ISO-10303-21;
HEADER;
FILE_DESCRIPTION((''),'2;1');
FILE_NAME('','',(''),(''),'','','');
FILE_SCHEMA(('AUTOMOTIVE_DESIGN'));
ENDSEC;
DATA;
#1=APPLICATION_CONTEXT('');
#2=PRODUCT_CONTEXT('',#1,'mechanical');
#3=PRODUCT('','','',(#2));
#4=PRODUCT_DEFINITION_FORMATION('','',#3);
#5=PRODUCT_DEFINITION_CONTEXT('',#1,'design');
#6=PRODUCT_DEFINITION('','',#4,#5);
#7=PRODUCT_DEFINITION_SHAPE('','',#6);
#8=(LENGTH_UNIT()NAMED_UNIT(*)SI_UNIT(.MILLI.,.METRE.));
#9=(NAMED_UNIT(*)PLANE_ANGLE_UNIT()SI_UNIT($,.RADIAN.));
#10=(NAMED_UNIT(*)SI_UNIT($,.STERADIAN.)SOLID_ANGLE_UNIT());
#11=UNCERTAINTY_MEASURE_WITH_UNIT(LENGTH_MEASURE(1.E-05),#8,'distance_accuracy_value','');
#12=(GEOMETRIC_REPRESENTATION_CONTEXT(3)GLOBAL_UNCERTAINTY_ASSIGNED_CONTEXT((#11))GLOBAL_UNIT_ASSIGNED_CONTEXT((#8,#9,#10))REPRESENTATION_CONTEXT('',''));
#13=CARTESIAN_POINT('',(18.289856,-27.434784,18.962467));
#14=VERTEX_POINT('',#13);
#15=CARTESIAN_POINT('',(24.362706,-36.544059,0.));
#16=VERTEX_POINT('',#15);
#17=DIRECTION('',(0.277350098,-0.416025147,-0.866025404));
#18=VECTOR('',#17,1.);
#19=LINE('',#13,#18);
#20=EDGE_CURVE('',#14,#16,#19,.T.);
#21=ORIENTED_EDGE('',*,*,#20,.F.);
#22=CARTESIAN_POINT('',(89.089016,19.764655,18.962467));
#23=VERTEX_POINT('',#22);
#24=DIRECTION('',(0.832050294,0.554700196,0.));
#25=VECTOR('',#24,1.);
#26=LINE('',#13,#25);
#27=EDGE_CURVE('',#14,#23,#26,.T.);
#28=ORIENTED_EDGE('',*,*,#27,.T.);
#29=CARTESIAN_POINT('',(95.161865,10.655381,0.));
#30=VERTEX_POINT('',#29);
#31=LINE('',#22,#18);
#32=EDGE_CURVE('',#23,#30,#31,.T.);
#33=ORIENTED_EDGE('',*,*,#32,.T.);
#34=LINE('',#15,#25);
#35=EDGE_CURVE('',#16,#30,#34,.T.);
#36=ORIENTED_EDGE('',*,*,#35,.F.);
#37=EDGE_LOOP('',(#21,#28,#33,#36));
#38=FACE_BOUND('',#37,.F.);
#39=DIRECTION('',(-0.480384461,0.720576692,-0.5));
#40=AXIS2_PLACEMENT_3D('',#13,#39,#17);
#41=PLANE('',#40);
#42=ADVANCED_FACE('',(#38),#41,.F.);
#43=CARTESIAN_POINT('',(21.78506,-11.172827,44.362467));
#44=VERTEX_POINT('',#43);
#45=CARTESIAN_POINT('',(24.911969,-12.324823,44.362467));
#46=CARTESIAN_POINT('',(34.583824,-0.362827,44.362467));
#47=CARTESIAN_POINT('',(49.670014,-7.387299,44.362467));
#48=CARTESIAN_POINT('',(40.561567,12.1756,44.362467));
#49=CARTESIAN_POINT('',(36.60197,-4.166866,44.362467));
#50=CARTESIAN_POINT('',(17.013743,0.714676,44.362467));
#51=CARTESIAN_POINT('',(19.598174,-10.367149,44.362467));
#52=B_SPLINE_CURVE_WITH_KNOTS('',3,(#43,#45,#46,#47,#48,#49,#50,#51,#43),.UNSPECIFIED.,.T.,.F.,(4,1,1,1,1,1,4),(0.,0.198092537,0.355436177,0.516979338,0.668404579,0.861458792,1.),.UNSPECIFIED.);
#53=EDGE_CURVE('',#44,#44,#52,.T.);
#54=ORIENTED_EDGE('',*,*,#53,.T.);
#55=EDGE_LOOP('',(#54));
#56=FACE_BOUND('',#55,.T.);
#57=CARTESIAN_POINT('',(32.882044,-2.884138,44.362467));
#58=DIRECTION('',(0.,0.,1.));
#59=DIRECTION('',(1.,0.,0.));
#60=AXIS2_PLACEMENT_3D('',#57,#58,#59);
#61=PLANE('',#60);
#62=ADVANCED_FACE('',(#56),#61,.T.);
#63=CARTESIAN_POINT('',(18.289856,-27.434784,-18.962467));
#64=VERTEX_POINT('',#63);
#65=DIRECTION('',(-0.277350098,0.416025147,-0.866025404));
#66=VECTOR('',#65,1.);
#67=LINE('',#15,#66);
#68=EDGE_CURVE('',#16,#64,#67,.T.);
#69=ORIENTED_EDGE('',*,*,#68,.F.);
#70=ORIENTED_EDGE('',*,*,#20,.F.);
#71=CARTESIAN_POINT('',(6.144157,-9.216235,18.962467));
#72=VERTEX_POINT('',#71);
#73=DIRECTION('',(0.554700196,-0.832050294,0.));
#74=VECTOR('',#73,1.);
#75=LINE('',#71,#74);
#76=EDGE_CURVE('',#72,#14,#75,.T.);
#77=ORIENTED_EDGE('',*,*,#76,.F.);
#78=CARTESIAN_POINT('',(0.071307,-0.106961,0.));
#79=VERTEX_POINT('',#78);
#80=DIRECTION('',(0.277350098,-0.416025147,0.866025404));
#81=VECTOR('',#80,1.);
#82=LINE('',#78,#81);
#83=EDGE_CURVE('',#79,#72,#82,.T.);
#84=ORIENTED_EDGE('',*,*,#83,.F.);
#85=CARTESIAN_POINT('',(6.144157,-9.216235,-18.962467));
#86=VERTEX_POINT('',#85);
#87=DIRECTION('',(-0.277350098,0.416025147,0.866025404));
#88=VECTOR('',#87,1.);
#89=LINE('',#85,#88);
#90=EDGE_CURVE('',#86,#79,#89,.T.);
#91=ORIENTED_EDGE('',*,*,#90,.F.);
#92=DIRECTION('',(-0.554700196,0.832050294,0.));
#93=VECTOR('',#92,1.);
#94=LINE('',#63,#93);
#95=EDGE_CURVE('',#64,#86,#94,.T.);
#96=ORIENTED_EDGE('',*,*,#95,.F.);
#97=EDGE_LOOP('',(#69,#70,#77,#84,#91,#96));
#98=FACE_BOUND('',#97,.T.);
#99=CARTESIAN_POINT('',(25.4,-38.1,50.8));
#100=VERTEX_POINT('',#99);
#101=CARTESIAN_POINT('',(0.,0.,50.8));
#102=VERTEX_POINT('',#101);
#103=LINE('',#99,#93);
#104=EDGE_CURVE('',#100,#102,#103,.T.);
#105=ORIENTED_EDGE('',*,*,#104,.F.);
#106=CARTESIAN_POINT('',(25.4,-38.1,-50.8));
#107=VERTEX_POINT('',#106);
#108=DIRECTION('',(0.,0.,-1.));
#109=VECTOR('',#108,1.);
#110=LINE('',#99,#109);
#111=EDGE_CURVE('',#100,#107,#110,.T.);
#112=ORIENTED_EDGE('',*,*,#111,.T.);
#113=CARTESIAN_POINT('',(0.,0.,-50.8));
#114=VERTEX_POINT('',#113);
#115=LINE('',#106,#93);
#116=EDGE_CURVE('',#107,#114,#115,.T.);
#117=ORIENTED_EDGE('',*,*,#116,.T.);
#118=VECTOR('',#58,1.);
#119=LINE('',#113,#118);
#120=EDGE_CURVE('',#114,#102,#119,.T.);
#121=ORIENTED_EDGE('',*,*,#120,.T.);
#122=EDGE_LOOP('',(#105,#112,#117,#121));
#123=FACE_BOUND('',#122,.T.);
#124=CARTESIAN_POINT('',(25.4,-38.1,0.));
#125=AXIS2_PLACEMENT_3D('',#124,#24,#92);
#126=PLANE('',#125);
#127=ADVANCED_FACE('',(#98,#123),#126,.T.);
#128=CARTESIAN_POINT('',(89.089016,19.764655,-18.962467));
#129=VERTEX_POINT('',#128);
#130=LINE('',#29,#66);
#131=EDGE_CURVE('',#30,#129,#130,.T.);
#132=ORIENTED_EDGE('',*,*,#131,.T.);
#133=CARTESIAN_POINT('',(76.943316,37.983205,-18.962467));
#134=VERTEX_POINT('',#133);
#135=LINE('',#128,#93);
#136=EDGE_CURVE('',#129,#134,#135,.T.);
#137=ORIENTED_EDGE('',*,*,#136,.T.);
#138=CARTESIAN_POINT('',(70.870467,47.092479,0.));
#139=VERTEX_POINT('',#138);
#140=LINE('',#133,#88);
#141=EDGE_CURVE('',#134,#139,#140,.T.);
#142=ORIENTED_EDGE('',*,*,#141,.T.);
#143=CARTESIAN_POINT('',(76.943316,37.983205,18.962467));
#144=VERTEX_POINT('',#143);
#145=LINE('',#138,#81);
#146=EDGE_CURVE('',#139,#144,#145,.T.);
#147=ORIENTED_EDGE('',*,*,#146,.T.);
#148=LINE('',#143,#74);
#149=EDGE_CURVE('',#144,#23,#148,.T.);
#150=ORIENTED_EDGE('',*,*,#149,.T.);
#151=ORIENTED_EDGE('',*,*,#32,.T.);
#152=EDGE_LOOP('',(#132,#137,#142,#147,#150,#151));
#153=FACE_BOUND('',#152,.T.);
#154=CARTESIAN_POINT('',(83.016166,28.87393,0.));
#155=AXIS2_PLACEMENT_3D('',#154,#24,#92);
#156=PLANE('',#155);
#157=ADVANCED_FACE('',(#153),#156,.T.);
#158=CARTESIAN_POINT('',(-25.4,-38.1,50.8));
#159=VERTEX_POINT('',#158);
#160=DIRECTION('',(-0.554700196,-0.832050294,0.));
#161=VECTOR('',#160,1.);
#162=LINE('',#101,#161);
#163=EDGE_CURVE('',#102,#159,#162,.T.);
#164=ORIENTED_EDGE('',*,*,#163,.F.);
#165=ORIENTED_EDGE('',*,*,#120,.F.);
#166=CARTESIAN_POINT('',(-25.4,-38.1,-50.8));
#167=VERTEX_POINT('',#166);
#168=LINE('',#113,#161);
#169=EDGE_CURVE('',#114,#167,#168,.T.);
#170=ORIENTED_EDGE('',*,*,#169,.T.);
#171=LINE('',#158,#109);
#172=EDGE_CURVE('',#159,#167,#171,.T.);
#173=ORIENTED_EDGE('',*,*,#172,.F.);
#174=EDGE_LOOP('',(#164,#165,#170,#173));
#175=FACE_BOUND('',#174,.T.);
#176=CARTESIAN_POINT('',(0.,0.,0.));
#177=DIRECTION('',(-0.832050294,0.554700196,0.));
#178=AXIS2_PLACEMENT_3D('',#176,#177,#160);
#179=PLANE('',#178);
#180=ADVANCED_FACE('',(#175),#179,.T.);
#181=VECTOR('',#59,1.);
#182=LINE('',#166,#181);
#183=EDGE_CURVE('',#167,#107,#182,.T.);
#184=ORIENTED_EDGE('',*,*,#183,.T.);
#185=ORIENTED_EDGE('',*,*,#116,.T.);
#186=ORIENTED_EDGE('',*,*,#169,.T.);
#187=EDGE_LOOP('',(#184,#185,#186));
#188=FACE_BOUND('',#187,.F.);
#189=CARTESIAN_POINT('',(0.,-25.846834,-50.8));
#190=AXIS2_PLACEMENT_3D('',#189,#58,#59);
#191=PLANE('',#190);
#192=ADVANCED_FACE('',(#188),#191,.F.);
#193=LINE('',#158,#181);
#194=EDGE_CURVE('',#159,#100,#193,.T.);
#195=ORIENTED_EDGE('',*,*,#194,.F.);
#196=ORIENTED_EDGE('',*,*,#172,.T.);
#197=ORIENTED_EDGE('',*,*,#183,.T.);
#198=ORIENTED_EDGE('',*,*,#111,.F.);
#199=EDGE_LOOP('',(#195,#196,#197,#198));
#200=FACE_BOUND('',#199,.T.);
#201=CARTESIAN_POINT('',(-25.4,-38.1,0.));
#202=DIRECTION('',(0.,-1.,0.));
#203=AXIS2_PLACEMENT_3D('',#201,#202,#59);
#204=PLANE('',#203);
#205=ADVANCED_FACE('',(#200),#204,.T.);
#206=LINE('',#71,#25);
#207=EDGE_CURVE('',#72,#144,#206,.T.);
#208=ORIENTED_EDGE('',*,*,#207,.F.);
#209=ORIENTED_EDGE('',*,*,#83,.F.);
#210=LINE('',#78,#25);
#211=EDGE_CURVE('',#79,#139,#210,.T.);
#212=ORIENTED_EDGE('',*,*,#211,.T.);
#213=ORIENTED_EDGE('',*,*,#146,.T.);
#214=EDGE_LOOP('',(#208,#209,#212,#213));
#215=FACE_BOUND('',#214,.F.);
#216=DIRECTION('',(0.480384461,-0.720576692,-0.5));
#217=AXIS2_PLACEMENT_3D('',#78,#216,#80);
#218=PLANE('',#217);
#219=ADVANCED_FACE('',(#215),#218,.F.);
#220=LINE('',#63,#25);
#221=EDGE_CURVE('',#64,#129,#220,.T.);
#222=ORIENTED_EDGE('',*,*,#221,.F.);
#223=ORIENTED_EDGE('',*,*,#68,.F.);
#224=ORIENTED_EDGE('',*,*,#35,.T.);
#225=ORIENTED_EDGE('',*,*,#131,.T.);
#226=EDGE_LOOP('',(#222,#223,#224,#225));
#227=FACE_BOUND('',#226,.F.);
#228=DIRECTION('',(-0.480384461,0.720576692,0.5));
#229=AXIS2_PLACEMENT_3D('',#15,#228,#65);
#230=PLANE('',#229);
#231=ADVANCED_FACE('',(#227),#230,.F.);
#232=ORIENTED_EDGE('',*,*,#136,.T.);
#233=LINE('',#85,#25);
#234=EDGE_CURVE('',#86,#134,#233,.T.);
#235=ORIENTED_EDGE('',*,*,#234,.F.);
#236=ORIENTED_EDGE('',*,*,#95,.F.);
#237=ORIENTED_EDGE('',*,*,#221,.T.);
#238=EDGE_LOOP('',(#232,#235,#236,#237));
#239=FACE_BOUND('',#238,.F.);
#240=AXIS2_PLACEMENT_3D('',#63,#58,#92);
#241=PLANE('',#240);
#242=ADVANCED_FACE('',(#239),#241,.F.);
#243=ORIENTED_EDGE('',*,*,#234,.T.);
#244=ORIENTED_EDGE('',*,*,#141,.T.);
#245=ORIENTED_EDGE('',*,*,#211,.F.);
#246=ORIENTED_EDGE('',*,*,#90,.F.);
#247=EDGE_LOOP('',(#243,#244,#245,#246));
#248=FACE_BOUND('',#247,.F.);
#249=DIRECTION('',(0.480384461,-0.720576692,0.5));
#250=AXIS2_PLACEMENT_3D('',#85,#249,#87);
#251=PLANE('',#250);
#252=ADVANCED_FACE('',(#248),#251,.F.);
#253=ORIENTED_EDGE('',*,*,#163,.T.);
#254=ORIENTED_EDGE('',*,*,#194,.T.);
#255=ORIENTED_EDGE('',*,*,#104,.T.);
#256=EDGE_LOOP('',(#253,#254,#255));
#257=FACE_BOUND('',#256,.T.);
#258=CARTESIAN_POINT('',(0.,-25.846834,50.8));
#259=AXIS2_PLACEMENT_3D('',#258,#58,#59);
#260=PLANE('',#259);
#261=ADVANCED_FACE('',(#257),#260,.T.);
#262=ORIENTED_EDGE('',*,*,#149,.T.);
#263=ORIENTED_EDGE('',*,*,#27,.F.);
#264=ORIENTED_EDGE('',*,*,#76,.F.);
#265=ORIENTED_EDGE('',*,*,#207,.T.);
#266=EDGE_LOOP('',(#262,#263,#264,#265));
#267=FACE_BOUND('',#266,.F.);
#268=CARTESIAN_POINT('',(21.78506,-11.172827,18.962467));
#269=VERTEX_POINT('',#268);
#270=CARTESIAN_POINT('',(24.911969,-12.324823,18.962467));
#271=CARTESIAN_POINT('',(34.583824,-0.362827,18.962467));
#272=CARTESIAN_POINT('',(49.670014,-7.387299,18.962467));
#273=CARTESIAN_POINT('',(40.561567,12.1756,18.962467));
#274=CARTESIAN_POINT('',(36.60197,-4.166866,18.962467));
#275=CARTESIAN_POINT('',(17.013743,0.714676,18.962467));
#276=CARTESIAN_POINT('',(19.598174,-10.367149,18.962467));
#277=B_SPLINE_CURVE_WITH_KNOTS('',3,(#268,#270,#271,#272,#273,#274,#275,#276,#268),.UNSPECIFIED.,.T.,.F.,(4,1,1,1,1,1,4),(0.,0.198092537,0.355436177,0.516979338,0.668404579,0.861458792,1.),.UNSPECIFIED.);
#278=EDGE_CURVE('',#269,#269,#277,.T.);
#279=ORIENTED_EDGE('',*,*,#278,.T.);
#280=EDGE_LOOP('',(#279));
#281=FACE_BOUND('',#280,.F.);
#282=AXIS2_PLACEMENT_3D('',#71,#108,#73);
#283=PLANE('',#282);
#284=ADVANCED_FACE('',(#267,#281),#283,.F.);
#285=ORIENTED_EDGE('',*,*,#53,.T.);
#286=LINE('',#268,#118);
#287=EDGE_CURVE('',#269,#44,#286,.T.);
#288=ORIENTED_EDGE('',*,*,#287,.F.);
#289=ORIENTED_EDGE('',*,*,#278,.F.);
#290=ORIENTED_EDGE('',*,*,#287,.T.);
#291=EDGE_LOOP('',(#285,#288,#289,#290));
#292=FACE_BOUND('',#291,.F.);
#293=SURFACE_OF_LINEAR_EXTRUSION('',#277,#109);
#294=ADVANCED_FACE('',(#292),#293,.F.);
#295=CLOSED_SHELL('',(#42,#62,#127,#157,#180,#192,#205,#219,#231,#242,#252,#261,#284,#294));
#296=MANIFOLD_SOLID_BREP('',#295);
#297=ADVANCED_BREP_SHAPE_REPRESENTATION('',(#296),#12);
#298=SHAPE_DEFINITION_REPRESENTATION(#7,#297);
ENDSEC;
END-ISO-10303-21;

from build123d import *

# Parameters (mm, degrees)
F1_DEPTH = 50.8
F3_DEPTH = 85.09
F5_DEPTH = 25.4


with BuildPart() as f1:
    # F0 (on Top) → F1 (new body, symmetric)
    with BuildSketch(Plane.XY):
        Polygon((25.4, -38.1), (0, 0), (-25.4, -38.1), align=None)
    extrude(amount=F1_DEPTH, both=True)

    # F2 (on face) → F3 (join)
    with BuildSketch(Plane(origin=(0, 0, 0), x_dir=(-0.5547001962, 0.8320502943, 0), z_dir=(0.8320502943, 0.5547001962, 0))):
        Polygon((-11.0765361257, 18.9624670893), (-32.9725070827, 18.9624670893), (-43.9204925612, 0), (-32.9725070827, -18.9624670893), (-11.0765361257, -18.9624670893), (-0.1285506472, 0), align=None)
    extrude(amount=F3_DEPTH)

    # F4 (on face) → F5 (join)
    with BuildSketch(Plane.XY.offset(18.9624670893)):
        with BuildLine():
            add(Edge.make_bspline(
                [(21.7850599438, -11.1728273332), (24.91196927, -12.324822675), (34.5838238055, -0.3628267994), (49.6700135525, -7.3872989451), (40.5615667196, 12.1756003251), (36.6019703838, -4.1668657612), (17.0137429969, 0.7146759114), (19.5981739455, -10.3671491954), (21.7850599438, -11.1728273332)],
                knots=[0, 0, 0, 0, 0.1980925373, 0.3554361767, 0.5169793381, 0.6684045786, 0.8614587917, 1, 1, 1, 1], degree=3))
        make_face()
    extrude(amount=F5_DEPTH)


solid = f1.part
